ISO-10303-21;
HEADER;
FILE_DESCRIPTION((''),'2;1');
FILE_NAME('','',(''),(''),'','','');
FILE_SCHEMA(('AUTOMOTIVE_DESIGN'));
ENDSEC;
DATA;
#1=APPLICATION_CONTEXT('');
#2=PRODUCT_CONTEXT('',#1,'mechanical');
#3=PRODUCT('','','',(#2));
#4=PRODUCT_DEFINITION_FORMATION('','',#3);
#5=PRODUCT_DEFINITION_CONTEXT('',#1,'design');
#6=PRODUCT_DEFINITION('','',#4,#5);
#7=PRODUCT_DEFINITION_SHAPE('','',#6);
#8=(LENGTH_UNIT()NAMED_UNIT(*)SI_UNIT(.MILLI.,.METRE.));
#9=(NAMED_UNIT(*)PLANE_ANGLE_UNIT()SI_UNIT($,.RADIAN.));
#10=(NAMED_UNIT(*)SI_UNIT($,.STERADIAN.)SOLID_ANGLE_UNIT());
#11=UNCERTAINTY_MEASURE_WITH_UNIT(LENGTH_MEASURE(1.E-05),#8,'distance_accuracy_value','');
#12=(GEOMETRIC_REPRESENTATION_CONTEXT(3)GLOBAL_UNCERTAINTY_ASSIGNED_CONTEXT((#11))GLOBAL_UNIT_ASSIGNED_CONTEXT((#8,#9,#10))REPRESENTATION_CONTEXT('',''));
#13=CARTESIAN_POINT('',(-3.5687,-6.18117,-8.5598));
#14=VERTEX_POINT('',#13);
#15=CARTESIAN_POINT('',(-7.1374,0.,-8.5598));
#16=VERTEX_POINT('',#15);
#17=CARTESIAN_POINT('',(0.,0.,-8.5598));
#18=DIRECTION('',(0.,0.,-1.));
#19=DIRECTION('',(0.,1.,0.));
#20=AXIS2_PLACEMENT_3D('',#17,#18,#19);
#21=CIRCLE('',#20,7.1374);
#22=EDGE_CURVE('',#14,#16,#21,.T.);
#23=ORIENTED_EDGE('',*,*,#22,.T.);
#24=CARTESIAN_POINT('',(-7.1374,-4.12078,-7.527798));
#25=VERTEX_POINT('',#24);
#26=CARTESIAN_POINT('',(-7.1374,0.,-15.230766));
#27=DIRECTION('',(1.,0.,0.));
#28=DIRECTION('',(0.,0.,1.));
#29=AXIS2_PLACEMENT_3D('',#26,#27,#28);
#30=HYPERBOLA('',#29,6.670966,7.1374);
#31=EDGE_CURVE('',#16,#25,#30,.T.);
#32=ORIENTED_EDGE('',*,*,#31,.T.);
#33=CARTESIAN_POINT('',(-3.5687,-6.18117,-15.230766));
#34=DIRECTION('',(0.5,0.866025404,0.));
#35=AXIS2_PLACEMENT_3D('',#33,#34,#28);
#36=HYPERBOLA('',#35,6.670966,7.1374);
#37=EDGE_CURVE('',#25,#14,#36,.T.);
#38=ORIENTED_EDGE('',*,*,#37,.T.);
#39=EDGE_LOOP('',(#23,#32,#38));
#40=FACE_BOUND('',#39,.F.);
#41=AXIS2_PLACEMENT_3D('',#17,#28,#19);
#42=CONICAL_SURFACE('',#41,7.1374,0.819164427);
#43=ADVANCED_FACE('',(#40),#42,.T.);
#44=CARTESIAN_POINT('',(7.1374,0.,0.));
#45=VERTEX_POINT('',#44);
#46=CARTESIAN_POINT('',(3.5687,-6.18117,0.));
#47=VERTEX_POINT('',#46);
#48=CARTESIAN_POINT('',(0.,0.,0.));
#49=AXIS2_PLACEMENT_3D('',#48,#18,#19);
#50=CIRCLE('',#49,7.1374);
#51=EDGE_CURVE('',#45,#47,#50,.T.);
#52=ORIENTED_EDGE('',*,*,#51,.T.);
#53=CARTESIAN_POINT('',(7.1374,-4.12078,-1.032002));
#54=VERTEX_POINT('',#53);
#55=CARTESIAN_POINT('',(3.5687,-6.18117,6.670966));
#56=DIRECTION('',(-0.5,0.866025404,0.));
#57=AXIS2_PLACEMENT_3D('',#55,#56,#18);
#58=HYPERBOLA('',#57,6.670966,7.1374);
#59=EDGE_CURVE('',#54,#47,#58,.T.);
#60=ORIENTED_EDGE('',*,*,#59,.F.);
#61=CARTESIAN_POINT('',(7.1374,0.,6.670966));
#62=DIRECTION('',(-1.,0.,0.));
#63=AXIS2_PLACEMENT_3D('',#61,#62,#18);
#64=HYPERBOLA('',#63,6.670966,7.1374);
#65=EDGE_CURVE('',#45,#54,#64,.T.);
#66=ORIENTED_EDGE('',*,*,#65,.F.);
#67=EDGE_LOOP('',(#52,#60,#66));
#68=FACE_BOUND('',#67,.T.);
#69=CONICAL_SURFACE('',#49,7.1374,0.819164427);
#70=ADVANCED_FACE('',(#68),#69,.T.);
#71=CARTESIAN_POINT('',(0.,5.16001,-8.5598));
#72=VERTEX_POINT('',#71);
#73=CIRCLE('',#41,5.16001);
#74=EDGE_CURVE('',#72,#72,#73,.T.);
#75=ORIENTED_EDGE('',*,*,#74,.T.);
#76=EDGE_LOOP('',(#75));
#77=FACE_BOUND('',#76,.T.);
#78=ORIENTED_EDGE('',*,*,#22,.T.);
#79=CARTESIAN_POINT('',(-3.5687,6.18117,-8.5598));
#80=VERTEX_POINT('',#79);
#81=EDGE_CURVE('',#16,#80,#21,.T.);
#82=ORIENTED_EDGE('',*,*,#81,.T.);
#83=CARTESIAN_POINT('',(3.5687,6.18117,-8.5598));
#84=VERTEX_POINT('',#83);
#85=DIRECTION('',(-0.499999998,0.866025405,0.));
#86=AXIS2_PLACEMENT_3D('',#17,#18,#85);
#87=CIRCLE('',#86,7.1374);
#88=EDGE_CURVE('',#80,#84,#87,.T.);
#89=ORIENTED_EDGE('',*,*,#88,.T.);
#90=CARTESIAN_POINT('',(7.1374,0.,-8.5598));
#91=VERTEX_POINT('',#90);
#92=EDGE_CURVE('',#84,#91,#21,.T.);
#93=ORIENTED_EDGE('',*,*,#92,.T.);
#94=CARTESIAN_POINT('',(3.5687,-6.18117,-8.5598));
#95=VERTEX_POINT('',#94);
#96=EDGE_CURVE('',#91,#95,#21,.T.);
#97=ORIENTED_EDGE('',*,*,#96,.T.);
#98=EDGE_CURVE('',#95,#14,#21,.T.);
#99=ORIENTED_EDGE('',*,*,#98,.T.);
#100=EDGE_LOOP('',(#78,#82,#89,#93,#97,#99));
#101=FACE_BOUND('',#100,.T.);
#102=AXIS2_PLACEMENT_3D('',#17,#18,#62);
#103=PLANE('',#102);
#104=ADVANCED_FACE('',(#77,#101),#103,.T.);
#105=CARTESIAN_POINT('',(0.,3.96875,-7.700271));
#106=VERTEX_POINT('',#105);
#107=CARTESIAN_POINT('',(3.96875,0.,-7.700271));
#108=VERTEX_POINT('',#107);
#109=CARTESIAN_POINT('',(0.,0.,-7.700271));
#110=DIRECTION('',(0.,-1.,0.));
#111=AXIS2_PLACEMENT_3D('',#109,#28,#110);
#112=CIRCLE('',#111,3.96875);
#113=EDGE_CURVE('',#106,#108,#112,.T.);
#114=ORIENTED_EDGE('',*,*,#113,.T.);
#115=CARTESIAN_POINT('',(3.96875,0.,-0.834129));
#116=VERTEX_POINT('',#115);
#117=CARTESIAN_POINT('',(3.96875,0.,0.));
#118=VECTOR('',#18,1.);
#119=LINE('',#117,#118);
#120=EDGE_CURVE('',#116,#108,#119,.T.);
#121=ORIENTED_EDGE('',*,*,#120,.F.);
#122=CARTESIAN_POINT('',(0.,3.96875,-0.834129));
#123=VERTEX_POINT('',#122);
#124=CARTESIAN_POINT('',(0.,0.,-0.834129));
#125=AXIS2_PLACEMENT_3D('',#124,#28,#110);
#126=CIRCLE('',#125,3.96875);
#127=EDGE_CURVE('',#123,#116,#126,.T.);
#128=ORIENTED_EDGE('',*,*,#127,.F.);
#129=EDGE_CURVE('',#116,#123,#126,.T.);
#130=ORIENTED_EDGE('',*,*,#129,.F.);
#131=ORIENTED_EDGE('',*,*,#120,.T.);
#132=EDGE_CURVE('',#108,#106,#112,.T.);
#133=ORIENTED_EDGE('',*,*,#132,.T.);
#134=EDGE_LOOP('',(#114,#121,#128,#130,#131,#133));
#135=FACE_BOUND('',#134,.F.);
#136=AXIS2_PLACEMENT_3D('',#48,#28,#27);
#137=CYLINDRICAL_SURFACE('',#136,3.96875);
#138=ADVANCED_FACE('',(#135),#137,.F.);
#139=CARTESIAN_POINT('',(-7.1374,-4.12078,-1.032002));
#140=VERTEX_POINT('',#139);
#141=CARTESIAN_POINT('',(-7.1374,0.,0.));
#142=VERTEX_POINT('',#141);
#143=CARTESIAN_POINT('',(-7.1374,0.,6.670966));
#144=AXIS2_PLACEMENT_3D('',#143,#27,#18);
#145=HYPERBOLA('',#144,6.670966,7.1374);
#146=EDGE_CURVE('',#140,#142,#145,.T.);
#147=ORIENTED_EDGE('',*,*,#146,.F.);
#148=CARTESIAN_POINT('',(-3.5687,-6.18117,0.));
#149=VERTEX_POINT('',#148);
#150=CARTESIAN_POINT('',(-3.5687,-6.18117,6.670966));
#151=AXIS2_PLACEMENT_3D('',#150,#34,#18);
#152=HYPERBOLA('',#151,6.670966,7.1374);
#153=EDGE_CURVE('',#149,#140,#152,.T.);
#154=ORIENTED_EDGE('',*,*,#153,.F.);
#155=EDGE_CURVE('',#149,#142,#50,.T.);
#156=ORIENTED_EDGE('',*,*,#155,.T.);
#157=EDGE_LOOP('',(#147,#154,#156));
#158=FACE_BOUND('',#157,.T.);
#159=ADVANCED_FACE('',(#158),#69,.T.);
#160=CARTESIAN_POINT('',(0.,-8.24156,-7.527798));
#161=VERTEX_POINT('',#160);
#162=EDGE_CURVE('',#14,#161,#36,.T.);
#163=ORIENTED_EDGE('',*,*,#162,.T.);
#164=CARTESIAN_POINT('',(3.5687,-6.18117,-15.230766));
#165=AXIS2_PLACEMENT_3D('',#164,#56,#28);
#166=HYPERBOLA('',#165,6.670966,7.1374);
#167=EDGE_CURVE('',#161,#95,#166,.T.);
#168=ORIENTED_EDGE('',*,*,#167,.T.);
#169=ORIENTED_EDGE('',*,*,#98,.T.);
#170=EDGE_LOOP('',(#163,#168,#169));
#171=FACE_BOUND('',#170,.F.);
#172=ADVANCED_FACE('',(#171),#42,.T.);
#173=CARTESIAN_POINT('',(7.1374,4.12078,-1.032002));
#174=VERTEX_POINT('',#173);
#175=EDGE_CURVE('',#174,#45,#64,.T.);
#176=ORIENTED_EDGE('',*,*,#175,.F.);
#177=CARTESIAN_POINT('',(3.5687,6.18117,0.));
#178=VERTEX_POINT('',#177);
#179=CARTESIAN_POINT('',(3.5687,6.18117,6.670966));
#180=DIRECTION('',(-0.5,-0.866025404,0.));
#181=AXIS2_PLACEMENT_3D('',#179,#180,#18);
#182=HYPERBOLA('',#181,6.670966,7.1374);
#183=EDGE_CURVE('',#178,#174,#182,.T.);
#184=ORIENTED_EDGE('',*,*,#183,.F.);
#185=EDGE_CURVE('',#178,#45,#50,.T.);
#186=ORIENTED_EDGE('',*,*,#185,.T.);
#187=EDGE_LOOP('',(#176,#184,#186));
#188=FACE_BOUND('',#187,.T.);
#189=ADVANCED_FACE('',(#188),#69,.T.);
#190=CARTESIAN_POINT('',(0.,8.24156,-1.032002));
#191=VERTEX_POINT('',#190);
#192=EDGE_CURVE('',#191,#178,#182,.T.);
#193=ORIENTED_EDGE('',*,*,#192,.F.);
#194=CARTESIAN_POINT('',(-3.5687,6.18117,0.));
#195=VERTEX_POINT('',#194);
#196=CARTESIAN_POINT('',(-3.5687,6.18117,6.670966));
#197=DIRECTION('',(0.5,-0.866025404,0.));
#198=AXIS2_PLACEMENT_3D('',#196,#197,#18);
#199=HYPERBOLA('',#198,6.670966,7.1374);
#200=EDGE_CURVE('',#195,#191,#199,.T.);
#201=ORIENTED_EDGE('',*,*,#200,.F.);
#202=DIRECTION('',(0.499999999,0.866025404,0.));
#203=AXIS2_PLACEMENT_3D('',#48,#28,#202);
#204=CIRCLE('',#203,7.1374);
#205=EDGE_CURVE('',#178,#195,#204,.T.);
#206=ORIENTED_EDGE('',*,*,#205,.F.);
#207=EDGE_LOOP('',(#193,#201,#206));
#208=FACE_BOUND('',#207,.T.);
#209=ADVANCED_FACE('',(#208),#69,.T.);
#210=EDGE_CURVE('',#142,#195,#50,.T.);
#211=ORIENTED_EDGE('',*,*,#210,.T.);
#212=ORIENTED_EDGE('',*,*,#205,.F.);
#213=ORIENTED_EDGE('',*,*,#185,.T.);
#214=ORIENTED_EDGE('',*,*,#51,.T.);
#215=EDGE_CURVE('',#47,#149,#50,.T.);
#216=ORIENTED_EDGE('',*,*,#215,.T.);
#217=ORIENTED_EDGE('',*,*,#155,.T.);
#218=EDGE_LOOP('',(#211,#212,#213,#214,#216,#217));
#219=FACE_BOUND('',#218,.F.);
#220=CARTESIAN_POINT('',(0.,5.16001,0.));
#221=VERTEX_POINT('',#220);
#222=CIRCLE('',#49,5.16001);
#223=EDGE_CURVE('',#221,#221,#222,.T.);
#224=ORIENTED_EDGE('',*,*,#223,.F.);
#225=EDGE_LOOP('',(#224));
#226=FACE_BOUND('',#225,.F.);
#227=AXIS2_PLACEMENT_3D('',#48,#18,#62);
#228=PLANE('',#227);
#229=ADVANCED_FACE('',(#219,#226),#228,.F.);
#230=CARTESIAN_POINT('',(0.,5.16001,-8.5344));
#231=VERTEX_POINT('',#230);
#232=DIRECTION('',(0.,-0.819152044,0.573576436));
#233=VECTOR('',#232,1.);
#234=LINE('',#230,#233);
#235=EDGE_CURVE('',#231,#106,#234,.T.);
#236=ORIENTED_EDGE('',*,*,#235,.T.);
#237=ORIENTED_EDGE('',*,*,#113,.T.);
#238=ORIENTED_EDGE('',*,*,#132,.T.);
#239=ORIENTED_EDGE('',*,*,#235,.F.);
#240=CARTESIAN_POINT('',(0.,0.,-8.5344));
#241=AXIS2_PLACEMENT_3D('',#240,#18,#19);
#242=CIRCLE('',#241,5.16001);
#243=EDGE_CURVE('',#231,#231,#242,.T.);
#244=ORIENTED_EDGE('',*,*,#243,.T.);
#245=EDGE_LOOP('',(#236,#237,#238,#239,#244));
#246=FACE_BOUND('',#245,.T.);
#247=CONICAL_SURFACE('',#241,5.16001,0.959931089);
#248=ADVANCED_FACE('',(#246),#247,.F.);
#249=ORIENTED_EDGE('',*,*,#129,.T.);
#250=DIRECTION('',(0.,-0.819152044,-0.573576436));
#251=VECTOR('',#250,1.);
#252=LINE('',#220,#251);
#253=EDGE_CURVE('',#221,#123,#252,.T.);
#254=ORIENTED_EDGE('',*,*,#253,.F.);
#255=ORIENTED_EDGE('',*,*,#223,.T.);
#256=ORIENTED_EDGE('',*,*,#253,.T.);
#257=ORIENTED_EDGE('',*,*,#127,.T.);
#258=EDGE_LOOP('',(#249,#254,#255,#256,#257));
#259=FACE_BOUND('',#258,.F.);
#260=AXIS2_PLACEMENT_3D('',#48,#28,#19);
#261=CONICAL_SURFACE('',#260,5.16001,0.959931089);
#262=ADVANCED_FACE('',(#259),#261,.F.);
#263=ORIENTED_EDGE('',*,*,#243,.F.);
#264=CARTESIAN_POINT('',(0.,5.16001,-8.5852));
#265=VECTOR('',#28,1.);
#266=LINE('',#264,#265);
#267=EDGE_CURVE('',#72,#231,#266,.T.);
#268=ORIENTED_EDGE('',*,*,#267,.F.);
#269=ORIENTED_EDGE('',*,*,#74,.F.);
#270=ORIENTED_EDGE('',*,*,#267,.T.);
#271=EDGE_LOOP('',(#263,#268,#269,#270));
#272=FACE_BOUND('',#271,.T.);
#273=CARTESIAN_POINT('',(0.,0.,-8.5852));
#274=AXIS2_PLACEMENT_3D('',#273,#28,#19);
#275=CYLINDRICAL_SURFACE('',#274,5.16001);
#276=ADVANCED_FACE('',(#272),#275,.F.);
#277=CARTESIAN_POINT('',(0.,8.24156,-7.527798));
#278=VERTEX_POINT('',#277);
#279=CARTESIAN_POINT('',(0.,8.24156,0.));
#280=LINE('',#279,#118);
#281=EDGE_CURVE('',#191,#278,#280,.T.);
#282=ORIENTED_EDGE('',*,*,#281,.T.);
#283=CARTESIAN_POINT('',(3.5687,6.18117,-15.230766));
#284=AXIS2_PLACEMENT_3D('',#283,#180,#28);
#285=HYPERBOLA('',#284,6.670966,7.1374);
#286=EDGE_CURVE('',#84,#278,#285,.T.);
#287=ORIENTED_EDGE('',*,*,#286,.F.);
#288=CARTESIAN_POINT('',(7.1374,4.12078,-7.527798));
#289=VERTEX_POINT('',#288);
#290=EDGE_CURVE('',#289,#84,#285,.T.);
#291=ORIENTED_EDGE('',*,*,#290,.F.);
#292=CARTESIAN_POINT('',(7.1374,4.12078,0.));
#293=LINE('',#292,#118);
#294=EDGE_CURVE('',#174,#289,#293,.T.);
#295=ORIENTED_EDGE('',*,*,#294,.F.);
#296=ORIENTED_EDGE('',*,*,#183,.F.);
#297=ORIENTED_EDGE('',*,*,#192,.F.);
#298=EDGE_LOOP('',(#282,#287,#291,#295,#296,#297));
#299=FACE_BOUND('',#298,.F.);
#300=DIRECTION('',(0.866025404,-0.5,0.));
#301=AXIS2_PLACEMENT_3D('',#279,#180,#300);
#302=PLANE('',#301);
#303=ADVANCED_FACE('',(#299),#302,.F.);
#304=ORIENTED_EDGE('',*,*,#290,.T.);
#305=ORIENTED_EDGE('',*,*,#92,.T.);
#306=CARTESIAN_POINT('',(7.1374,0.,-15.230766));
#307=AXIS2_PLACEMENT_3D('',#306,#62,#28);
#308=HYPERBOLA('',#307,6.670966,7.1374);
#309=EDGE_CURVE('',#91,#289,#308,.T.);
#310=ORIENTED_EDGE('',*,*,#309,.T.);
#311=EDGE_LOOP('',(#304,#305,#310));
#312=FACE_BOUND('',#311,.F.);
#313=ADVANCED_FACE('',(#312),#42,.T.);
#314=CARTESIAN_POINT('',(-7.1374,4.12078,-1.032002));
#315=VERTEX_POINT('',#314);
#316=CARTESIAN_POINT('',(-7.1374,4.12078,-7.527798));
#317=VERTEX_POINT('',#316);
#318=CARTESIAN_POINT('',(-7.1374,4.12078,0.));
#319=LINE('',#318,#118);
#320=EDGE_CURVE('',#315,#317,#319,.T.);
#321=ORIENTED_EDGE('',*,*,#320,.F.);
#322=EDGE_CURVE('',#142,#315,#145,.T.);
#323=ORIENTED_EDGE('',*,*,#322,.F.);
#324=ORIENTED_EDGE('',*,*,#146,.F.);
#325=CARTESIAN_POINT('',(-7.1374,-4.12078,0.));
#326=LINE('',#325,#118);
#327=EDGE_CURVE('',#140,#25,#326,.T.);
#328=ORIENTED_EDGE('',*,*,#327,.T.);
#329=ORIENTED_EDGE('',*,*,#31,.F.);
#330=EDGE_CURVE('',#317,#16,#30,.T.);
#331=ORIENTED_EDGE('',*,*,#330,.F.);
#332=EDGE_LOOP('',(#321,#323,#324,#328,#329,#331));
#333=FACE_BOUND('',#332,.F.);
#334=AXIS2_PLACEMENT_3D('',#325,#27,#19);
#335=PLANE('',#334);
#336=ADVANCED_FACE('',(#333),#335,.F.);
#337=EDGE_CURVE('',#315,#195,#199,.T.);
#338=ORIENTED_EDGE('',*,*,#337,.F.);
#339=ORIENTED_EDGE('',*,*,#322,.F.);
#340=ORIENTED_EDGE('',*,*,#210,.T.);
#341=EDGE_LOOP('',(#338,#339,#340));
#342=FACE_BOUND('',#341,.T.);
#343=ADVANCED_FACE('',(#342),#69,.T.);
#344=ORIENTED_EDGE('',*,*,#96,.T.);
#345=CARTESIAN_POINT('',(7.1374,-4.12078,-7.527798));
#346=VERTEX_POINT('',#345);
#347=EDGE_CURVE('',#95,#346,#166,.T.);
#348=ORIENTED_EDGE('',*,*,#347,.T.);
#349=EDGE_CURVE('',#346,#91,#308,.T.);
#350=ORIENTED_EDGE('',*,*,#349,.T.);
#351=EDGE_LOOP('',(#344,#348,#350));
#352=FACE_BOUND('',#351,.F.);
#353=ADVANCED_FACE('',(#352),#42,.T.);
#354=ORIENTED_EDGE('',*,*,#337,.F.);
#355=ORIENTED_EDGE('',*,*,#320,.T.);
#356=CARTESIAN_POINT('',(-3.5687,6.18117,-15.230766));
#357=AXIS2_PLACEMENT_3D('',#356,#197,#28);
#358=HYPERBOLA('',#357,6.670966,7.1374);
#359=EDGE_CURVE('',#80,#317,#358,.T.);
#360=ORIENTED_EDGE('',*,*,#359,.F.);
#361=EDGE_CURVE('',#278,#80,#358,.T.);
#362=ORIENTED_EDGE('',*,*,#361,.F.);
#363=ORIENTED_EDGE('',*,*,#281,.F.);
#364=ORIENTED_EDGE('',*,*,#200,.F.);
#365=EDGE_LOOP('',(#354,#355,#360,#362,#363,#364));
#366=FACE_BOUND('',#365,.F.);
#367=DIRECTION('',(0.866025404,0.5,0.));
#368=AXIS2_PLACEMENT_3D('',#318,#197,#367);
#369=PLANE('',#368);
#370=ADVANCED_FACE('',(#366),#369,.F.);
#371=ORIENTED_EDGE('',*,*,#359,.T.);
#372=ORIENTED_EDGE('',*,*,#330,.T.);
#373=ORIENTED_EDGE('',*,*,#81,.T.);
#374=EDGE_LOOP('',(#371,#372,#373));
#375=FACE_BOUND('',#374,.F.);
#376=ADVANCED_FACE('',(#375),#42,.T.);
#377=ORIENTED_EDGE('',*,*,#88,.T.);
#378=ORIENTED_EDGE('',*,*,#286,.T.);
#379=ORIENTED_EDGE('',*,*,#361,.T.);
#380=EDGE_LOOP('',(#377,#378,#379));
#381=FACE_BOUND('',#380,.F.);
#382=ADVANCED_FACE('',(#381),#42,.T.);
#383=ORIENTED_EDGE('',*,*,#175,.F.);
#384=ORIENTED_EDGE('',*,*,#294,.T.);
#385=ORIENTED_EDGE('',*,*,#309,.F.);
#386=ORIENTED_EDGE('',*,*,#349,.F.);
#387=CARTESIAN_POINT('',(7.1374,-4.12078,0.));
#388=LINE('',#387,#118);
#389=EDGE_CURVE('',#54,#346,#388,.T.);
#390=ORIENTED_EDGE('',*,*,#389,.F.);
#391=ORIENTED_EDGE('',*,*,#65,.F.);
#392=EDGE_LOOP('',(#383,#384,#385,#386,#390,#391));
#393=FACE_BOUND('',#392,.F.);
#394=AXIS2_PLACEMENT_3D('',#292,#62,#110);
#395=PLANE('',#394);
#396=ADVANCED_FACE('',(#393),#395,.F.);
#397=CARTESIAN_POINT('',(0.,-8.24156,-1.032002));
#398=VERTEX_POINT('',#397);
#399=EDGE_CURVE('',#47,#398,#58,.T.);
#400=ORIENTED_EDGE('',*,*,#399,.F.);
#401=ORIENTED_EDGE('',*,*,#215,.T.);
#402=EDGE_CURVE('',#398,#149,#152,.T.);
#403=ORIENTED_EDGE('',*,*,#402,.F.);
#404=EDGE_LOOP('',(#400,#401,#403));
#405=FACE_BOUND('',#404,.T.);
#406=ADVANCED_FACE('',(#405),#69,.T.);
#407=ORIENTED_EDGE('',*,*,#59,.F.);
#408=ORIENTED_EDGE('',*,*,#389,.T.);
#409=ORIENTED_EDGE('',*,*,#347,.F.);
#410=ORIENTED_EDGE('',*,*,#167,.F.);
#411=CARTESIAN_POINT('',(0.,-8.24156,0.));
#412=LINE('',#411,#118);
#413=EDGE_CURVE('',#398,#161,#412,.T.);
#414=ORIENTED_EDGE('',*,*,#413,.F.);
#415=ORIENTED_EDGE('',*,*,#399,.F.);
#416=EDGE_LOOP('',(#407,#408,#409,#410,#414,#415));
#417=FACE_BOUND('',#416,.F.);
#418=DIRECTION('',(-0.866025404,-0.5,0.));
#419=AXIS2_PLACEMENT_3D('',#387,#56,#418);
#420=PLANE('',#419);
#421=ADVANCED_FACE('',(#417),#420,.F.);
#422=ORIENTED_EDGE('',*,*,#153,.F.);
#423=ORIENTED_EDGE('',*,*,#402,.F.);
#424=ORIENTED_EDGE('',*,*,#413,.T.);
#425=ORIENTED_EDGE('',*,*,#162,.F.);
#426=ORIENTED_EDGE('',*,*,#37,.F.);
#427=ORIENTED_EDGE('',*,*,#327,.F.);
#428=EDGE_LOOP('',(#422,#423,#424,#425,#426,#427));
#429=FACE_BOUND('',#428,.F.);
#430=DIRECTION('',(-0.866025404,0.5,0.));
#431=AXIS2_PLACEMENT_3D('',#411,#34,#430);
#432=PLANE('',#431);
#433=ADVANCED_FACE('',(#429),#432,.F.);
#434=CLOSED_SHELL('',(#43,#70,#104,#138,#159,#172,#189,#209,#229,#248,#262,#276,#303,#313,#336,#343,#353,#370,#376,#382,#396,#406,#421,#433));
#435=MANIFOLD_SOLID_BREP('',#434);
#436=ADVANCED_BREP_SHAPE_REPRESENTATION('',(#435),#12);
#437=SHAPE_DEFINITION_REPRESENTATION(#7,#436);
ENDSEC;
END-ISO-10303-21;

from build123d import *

# Parameters (mm, degrees)
BASENUTSKE_R  = 3.96875
BASENUT_DEPTH = 8.5598


with BuildPart() as part:
    # BaseNutSke → BaseNut (new body)
    with BuildSketch(Plane.XY):
        Polygon((7.1374, 4.120779811), (7.1374, -4.120779811), (0, -8.241559623), (-7.1374, -4.120779811), (-7.1374, 4.120779811), (0, 8.241559623), align=None)
        Circle(BASENUTSKE_R, mode=Mode.SUBTRACT)
    extrude(amount=-BASENUT_DEPTH)

    # Sketch3 → Double-Chamfer (revolve, cut)
    with BuildSketch(Plane(origin=(0, 0, 0), x_dir=(0, 0, -1), z_dir=(1, 0, 0))):
        Polygon((8.5598, 7.1374), (7.527798, 8.241559623), (7.527798, 20.941559623), (21.2598, 20.941559623), (21.2598, 7.1374), align=None)
        Polygon((1.032002, 20.941559623), (-12.7, 20.941559623), (-12.7, 7.1374), (0, 7.1374), (1.032002, 8.241559623), align=None)
    revolve(axis=Axis((0, 0, 0), (0, 0, -1)), mode=Mode.SUBTRACT)

    # Sketch5 → EndChamfer (revolve, cut)
    with BuildSketch(Plane(origin=(0, 0, 0), x_dir=(0, 0, -1), z_dir=(1, 0, 0))):
        Polygon((8.5344, 5.16001), (7.616857845, 3.849624), (8.5852, 3.849624), (8.5852, 5.16001), align=None)
        Polygon((-0.0508, 5.16001), (0, 5.16001), (0.917542155, 3.849624), (-0.0508, 3.849624), align=None)
    revolve(axis=Axis((0, 0, -25.037505729), (0, 0, -1)), mode=Mode.SUBTRACT)


solid = part.part
